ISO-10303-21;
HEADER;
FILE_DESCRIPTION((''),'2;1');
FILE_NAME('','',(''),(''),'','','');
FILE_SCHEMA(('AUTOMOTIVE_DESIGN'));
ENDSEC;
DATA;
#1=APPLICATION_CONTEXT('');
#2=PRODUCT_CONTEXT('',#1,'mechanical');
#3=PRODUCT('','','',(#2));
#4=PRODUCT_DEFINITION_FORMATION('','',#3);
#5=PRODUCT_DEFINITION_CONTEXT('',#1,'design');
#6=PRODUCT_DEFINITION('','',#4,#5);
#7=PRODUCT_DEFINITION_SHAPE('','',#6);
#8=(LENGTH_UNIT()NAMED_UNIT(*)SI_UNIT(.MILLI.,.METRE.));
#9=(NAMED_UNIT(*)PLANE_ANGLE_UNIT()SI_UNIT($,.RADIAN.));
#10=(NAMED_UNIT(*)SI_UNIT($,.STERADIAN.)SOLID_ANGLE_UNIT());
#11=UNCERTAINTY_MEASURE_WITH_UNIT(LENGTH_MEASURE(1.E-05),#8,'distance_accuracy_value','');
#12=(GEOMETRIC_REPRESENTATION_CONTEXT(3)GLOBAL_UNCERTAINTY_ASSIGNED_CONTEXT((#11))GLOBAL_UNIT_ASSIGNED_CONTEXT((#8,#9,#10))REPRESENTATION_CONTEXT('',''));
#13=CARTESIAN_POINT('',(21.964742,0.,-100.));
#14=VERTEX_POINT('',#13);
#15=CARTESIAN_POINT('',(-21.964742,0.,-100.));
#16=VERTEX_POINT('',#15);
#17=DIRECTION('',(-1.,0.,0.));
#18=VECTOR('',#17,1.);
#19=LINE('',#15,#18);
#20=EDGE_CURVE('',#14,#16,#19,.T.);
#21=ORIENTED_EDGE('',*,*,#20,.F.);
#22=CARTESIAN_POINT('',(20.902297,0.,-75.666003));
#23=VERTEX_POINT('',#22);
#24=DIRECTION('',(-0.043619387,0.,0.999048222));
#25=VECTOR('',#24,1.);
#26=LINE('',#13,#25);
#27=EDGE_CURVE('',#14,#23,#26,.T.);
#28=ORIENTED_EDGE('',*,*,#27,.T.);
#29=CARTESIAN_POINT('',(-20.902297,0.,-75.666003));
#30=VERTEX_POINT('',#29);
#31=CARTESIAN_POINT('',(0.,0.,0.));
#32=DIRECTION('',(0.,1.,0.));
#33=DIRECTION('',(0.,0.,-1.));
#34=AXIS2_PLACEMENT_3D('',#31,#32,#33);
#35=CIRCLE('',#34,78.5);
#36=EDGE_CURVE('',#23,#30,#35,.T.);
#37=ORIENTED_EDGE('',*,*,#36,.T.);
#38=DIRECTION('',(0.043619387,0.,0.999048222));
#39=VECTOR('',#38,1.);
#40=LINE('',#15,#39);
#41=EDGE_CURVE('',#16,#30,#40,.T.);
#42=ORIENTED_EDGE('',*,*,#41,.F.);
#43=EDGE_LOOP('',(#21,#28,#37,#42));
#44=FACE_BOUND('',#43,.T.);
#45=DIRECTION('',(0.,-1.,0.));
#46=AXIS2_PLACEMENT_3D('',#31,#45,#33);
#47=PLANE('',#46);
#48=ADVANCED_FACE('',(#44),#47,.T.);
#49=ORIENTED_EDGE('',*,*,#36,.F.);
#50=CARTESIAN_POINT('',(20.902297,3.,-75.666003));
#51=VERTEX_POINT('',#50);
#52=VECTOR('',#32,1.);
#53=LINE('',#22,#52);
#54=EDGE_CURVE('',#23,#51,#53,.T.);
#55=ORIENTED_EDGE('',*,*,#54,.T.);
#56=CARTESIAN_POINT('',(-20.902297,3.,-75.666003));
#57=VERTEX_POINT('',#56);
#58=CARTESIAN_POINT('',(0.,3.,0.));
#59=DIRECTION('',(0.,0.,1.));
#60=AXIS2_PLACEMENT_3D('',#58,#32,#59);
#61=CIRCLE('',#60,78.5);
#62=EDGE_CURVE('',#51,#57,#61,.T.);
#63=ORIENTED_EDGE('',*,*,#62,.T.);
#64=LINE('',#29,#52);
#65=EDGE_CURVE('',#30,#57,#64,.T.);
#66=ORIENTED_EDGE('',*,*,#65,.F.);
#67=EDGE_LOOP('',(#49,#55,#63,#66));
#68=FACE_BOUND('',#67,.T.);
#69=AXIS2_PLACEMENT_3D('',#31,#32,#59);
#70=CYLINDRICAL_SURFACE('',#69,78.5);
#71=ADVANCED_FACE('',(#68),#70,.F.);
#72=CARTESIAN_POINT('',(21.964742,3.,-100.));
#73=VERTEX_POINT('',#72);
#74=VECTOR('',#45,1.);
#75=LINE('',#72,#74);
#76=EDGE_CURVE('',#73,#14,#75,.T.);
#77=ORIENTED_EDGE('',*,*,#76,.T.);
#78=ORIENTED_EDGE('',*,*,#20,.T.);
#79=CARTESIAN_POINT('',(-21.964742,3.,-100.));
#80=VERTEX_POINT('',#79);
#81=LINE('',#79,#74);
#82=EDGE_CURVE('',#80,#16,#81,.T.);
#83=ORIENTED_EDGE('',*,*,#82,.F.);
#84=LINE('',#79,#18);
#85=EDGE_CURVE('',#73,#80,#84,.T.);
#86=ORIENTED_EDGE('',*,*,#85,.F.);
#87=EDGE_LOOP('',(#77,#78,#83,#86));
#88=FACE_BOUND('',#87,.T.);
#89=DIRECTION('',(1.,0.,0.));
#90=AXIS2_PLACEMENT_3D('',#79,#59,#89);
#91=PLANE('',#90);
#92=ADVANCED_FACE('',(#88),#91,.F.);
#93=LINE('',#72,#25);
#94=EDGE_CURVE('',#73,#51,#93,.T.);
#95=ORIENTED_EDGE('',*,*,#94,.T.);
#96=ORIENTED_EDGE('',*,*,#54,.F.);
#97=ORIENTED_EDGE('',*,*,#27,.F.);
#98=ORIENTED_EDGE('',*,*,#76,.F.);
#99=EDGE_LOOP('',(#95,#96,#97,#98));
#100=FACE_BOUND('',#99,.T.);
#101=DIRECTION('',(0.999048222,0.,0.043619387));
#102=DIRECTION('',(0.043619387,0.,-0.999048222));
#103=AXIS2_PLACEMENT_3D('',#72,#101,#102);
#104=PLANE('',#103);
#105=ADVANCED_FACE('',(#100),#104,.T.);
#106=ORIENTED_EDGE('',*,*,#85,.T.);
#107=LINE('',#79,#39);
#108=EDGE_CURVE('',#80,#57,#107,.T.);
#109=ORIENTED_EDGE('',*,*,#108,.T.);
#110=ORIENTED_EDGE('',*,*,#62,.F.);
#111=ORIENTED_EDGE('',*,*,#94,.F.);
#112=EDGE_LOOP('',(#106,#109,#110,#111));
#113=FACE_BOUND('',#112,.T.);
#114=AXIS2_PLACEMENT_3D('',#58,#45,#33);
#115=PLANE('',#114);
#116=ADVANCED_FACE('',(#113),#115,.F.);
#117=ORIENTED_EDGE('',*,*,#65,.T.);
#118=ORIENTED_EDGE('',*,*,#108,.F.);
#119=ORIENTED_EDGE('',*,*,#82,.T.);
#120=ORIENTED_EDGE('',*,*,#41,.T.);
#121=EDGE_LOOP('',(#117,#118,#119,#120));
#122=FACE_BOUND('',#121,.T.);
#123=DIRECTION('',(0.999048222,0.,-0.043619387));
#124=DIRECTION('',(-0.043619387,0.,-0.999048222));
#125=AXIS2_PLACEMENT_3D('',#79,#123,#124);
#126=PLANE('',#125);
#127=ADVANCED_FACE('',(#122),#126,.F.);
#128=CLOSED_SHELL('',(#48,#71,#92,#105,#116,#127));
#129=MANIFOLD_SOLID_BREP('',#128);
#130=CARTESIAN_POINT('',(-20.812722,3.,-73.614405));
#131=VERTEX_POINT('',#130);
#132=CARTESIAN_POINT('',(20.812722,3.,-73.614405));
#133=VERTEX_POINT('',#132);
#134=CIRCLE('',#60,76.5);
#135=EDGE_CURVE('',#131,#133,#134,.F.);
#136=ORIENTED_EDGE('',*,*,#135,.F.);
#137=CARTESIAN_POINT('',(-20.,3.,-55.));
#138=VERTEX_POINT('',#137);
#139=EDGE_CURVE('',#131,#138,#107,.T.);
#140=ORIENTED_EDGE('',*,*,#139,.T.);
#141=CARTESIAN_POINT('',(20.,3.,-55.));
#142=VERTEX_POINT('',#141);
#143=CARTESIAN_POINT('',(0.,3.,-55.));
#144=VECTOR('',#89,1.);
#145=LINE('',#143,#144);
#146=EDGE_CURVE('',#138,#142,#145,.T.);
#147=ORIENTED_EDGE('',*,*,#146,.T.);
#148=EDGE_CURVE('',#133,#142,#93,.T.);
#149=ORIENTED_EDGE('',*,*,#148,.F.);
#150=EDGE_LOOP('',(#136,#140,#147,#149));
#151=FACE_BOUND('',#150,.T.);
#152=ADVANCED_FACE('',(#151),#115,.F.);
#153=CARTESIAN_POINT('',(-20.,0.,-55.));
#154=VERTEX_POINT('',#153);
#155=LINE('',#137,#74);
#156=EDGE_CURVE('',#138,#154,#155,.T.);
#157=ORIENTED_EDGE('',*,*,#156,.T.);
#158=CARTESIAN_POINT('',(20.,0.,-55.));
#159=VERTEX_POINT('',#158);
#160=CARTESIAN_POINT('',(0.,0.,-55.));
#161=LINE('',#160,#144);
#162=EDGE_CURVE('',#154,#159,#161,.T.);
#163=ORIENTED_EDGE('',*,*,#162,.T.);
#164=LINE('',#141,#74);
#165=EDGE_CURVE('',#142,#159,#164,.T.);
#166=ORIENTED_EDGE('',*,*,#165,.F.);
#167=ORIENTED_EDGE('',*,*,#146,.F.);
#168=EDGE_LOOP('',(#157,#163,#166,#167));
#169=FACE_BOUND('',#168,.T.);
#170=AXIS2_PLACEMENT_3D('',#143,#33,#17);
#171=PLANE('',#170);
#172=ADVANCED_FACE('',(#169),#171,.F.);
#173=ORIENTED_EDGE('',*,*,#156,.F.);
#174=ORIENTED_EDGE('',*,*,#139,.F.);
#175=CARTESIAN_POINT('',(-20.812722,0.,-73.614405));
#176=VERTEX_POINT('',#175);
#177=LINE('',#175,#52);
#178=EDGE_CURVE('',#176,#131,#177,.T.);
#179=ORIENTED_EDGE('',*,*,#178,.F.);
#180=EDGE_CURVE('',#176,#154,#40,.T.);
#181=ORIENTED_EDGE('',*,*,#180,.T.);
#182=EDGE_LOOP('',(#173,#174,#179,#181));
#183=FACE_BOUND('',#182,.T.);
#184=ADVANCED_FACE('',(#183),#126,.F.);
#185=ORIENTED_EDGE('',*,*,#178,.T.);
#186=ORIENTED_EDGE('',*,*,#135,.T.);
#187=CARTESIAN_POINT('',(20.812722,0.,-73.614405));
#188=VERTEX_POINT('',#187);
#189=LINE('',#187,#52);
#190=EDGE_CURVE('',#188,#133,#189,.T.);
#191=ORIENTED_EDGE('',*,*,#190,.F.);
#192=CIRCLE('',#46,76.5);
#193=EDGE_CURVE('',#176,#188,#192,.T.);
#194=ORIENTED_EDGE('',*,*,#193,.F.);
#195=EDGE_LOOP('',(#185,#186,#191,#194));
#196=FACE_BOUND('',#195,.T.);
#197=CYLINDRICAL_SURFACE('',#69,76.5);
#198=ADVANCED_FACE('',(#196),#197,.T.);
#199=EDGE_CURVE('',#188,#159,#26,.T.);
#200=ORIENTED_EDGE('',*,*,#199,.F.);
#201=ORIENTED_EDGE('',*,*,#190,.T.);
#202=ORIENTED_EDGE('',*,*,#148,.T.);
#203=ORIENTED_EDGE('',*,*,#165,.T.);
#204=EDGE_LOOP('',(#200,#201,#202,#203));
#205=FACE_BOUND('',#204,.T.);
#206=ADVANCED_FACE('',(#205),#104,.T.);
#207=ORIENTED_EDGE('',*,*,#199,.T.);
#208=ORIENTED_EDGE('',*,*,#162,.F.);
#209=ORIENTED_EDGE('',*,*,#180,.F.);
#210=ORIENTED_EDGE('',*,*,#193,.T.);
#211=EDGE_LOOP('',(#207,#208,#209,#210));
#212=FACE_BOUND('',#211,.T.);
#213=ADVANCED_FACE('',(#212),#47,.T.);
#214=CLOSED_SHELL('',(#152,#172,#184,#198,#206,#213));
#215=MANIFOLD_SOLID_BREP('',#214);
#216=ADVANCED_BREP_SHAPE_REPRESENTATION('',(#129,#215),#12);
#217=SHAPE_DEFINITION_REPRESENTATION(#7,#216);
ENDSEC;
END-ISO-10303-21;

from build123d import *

# Parameters (mm, degrees)
BOSS_EXTRUDE1_DEPTH     = 3
CUT_EXTRUDE1_DEPTH      = 1
CUT_EXTRUDE1_DEPTH_BACK = 4


with BuildPart() as part:
    # Sketch1 → Boss-Extrude1 (new body)
    with BuildSketch(Plane(origin=(0, 0, 0), x_dir=(1, 0, 0), z_dir=(0, 1, 0))):
        Polygon((-21.964742431, 100), (-20, 55), (0, 55), (0, 100), align=None)
    boss_extrude1 = extrude(amount=BOSS_EXTRUDE1_DEPTH)

    # Mirror2: Boss-Extrude1 across plane
    add(boss_extrude1.mirror(Plane(origin=(0, 0, 0), x_dir=(0, 0, 1), z_dir=(1, 0, 0))))

    # Sketch2 → Cut-Extrude1 (cut, two sides)
    with BuildSketch(Plane(origin=(0, 3, 0), x_dir=(1, 0, 0), z_dir=(0, 1, 0))) as cut_extrude1_sk:
        with BuildLine():
            Line((-20.812722462, 73.61440473), (-20.902297167, 75.666002757))
            ThreePointArc((-20.902297167, 75.666002757), (0, 78.5), (20.902297167, 75.666002757))
            Line((20.902297167, 75.666002757), (20.812722462, 73.61440473))
            ThreePointArc((20.812722462, 73.61440473), (0, 76.5), (-20.812722462, 73.61440473))
        make_face()
    extrude(amount=CUT_EXTRUDE1_DEPTH, mode=Mode.SUBTRACT)
    extrude(cut_extrude1_sk.sketch, amount=-CUT_EXTRUDE1_DEPTH_BACK, mode=Mode.SUBTRACT)


solid = part.part
